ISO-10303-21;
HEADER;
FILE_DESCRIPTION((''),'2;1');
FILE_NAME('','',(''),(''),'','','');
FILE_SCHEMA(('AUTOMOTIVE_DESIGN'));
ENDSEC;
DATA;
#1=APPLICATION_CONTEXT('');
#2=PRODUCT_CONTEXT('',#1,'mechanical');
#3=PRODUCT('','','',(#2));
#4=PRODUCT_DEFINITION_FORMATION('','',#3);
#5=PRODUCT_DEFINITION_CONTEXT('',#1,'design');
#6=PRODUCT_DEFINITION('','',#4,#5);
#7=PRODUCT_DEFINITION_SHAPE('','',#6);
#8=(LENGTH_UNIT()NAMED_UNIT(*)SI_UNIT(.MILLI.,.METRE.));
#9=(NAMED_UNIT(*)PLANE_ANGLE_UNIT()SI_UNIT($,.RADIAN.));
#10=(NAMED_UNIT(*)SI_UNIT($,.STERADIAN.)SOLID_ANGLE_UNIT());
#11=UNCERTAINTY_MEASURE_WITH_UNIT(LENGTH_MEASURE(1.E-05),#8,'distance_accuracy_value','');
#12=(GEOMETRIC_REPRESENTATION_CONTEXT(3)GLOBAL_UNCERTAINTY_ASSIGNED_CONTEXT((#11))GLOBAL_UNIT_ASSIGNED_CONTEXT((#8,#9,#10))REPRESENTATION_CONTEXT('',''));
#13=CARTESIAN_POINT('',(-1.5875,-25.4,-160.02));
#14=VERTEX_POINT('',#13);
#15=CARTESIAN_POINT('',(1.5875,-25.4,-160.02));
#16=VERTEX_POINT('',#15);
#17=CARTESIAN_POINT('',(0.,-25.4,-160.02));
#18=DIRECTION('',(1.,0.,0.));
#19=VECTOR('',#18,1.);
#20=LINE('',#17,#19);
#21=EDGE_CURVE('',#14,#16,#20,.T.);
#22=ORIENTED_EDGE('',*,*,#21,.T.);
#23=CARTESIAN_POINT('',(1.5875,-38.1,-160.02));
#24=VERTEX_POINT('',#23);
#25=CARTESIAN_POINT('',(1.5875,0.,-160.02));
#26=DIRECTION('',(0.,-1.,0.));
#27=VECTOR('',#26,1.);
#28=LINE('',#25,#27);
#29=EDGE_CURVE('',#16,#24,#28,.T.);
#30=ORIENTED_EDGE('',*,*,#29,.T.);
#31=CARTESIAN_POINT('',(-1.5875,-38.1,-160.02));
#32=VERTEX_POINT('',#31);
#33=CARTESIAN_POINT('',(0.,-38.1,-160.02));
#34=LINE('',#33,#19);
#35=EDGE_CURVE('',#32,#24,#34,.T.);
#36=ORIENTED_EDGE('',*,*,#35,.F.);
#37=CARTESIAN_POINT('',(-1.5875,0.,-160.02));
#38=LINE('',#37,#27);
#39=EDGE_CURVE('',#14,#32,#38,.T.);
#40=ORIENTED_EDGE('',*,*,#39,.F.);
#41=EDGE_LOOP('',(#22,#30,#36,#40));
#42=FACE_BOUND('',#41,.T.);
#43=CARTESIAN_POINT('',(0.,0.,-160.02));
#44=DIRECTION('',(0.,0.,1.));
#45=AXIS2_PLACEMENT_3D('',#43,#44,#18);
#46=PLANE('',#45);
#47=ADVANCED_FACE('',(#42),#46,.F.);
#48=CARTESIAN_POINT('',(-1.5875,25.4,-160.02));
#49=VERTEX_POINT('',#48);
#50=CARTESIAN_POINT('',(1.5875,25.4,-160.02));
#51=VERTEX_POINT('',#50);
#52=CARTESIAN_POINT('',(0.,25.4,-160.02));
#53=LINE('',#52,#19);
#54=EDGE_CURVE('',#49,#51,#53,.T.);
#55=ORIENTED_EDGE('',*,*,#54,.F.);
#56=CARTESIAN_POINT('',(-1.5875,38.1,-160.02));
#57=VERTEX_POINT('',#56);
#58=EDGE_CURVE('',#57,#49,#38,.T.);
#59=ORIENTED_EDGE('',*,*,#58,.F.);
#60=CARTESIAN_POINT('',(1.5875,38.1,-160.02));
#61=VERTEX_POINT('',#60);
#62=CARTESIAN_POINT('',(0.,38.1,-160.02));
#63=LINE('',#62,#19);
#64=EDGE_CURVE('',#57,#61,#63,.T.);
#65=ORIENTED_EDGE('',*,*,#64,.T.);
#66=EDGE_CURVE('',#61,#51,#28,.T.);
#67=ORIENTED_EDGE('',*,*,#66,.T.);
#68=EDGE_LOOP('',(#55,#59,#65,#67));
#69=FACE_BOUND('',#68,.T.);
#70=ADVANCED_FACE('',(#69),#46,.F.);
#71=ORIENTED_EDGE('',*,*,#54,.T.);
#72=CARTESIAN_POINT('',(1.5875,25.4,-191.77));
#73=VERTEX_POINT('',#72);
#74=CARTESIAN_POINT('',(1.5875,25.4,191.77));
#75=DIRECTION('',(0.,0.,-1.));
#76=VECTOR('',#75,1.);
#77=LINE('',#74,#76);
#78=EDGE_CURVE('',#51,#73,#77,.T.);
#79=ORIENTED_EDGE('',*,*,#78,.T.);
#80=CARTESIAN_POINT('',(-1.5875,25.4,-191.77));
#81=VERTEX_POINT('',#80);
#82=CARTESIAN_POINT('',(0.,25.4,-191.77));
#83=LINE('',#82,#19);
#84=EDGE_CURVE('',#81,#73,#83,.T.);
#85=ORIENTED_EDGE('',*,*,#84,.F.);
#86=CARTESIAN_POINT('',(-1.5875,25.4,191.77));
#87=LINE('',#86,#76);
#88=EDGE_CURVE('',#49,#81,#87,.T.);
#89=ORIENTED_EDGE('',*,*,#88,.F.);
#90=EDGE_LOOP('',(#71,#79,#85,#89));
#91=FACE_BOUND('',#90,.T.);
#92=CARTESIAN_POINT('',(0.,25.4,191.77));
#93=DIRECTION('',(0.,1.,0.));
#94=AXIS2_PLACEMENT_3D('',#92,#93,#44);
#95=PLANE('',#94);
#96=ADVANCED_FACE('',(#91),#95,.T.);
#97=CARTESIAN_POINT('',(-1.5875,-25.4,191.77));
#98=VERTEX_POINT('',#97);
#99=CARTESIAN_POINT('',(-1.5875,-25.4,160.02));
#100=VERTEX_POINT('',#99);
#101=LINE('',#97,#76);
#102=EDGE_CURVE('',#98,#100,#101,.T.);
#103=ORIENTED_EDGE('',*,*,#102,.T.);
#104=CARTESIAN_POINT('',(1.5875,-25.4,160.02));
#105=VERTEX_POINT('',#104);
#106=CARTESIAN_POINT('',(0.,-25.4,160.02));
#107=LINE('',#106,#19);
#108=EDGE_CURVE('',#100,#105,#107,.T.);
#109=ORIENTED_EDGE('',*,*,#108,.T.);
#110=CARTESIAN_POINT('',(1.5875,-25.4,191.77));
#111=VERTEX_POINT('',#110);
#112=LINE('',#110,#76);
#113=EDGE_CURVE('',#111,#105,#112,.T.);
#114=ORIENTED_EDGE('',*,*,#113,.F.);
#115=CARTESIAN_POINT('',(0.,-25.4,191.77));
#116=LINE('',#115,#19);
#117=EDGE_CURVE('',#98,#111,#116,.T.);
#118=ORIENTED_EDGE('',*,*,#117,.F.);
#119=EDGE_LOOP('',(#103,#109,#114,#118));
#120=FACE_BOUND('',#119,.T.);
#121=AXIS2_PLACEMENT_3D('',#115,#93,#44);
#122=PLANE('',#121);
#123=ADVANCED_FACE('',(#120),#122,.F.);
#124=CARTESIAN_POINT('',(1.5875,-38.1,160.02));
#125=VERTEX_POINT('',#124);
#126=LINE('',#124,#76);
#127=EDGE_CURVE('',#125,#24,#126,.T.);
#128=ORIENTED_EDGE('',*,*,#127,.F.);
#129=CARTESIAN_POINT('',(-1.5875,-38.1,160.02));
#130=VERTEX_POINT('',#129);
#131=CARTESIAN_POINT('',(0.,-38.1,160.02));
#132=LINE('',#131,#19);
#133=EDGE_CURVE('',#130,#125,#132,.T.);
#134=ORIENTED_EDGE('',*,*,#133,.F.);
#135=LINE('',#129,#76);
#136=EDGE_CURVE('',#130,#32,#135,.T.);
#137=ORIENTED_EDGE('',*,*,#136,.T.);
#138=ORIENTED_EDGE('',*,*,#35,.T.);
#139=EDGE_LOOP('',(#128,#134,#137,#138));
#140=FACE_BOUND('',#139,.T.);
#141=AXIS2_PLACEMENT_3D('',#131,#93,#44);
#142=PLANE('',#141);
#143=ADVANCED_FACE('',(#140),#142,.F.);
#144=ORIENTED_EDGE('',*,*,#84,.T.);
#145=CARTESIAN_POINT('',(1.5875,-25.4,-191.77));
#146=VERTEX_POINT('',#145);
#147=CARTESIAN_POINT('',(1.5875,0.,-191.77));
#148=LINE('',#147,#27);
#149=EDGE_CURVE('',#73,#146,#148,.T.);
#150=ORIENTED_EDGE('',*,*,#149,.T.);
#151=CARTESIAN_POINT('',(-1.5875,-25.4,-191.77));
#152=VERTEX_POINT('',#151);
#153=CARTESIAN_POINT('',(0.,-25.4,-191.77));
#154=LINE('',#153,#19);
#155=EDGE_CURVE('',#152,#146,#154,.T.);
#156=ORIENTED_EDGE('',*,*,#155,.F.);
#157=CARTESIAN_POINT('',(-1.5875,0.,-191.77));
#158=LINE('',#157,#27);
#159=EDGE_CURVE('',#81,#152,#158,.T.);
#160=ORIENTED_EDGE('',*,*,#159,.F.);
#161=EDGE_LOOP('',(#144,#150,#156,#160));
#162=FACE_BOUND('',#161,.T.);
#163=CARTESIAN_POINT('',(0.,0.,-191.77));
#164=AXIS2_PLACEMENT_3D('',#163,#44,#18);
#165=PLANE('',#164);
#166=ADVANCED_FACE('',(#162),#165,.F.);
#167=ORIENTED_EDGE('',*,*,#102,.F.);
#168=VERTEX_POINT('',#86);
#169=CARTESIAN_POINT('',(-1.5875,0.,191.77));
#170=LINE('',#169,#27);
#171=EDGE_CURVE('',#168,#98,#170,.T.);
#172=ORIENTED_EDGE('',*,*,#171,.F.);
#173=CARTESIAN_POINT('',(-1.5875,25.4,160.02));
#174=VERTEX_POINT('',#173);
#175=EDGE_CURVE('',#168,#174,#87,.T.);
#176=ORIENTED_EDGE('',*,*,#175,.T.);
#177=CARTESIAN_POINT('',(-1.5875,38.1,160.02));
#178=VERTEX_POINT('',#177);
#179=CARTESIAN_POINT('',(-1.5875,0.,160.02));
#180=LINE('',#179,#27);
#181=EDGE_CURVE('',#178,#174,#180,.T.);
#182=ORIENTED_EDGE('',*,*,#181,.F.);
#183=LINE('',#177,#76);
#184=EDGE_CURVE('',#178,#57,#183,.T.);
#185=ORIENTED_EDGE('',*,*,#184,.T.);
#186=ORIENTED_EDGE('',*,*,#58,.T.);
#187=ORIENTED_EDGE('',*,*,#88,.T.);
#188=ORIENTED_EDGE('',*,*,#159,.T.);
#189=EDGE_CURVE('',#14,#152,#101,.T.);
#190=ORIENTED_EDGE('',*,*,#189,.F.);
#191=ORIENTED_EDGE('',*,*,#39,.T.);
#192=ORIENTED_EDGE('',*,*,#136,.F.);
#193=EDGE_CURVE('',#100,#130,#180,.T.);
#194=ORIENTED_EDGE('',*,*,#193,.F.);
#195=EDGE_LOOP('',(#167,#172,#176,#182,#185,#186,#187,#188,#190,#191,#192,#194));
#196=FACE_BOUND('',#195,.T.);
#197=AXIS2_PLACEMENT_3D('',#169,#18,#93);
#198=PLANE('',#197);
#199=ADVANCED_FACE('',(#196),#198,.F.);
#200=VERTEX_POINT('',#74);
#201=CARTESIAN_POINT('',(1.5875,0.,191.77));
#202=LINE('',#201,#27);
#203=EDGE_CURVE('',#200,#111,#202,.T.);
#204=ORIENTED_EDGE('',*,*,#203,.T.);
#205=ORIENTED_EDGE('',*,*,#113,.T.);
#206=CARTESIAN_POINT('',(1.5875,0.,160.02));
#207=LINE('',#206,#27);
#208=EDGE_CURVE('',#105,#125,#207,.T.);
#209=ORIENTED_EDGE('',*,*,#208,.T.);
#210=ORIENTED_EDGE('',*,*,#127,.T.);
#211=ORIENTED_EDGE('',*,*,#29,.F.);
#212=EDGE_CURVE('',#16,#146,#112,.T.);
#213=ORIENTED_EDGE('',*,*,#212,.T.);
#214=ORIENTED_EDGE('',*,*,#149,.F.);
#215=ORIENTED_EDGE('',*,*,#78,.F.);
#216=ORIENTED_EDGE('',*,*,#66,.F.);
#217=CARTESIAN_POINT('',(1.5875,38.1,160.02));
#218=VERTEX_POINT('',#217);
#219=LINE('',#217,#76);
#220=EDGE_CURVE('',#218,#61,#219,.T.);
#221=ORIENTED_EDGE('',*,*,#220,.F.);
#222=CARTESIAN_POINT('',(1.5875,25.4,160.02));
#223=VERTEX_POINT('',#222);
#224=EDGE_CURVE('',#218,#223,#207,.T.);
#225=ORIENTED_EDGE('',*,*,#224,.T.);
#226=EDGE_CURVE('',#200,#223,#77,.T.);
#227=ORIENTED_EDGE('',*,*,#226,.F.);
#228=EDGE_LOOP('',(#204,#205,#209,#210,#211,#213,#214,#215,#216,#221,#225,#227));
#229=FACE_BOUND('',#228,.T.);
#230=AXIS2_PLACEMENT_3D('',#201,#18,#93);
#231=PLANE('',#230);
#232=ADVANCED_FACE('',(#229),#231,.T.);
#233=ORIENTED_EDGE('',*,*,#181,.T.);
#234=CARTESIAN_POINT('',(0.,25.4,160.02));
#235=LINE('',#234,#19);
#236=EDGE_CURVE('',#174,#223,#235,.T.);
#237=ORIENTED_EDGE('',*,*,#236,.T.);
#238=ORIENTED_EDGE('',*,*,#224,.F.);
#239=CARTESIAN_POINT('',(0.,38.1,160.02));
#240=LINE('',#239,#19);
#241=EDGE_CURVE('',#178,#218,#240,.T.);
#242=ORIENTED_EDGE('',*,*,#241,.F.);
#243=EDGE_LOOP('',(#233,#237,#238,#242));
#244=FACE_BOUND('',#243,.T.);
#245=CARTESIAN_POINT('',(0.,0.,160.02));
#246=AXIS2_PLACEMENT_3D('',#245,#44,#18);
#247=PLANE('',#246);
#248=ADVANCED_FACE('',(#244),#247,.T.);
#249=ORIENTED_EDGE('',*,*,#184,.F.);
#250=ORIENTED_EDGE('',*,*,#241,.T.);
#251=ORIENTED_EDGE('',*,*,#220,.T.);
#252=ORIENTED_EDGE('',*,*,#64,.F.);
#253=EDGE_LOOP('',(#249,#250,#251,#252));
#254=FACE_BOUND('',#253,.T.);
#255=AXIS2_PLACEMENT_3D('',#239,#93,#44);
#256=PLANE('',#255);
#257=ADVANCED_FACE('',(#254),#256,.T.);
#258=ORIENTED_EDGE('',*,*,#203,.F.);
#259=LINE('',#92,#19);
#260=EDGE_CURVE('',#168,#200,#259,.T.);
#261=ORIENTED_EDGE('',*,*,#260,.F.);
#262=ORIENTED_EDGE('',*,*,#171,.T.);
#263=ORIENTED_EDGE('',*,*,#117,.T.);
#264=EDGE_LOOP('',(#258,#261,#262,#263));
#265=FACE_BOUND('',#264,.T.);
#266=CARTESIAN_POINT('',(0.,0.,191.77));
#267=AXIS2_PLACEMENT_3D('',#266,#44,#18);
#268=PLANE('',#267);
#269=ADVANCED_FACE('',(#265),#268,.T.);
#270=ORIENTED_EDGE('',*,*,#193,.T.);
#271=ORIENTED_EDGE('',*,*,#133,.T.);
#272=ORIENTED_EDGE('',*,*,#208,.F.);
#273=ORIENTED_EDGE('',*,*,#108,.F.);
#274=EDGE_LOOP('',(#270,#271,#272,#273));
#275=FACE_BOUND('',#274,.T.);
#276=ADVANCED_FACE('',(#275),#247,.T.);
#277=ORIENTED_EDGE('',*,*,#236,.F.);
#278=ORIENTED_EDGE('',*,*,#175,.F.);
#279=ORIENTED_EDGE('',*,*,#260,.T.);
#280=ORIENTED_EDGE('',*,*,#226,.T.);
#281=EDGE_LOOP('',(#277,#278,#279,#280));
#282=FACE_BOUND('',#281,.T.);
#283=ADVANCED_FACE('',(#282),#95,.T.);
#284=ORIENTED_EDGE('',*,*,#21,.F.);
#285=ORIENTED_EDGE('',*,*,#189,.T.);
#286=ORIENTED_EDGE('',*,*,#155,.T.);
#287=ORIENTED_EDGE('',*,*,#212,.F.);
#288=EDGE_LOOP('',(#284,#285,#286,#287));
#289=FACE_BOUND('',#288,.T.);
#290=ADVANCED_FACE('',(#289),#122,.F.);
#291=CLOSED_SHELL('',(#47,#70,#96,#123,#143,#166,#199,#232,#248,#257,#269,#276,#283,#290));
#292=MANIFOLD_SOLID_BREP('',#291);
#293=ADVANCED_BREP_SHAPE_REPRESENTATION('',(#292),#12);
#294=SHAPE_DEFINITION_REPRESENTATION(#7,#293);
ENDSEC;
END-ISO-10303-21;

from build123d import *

# Parameters (mm, degrees)
SKETCH1_W           = 3.175
SKETCH1_H           = 50.8
BOSS_EXTRUDE1_DEPTH = 191.77
SKETCH1_3_W         = 3.175
SKETCH1_3_H         = 12.7
BOSS_EXTRUDE2_DEPTH = 160.02


with BuildPart() as part:
    # Sketch1 → Boss-Extrude1 (new, symmetric)
    with BuildSketch(Plane.XY):
        Rectangle(SKETCH1_W, SKETCH1_H)
    extrude(amount=BOSS_EXTRUDE1_DEPTH, both=True)

    # Sketch1<3> → Boss-Extrude2 (add, symmetric)
    with BuildSketch(Plane.XY):
        with Locations((0, 31.75)):
            Rectangle(SKETCH1_3_W, SKETCH1_3_H)
        with Locations((0, -31.75)):
            Rectangle(SKETCH1_3_W, SKETCH1_3_H)
    extrude(amount=BOSS_EXTRUDE2_DEPTH, both=True)


solid = part.part
